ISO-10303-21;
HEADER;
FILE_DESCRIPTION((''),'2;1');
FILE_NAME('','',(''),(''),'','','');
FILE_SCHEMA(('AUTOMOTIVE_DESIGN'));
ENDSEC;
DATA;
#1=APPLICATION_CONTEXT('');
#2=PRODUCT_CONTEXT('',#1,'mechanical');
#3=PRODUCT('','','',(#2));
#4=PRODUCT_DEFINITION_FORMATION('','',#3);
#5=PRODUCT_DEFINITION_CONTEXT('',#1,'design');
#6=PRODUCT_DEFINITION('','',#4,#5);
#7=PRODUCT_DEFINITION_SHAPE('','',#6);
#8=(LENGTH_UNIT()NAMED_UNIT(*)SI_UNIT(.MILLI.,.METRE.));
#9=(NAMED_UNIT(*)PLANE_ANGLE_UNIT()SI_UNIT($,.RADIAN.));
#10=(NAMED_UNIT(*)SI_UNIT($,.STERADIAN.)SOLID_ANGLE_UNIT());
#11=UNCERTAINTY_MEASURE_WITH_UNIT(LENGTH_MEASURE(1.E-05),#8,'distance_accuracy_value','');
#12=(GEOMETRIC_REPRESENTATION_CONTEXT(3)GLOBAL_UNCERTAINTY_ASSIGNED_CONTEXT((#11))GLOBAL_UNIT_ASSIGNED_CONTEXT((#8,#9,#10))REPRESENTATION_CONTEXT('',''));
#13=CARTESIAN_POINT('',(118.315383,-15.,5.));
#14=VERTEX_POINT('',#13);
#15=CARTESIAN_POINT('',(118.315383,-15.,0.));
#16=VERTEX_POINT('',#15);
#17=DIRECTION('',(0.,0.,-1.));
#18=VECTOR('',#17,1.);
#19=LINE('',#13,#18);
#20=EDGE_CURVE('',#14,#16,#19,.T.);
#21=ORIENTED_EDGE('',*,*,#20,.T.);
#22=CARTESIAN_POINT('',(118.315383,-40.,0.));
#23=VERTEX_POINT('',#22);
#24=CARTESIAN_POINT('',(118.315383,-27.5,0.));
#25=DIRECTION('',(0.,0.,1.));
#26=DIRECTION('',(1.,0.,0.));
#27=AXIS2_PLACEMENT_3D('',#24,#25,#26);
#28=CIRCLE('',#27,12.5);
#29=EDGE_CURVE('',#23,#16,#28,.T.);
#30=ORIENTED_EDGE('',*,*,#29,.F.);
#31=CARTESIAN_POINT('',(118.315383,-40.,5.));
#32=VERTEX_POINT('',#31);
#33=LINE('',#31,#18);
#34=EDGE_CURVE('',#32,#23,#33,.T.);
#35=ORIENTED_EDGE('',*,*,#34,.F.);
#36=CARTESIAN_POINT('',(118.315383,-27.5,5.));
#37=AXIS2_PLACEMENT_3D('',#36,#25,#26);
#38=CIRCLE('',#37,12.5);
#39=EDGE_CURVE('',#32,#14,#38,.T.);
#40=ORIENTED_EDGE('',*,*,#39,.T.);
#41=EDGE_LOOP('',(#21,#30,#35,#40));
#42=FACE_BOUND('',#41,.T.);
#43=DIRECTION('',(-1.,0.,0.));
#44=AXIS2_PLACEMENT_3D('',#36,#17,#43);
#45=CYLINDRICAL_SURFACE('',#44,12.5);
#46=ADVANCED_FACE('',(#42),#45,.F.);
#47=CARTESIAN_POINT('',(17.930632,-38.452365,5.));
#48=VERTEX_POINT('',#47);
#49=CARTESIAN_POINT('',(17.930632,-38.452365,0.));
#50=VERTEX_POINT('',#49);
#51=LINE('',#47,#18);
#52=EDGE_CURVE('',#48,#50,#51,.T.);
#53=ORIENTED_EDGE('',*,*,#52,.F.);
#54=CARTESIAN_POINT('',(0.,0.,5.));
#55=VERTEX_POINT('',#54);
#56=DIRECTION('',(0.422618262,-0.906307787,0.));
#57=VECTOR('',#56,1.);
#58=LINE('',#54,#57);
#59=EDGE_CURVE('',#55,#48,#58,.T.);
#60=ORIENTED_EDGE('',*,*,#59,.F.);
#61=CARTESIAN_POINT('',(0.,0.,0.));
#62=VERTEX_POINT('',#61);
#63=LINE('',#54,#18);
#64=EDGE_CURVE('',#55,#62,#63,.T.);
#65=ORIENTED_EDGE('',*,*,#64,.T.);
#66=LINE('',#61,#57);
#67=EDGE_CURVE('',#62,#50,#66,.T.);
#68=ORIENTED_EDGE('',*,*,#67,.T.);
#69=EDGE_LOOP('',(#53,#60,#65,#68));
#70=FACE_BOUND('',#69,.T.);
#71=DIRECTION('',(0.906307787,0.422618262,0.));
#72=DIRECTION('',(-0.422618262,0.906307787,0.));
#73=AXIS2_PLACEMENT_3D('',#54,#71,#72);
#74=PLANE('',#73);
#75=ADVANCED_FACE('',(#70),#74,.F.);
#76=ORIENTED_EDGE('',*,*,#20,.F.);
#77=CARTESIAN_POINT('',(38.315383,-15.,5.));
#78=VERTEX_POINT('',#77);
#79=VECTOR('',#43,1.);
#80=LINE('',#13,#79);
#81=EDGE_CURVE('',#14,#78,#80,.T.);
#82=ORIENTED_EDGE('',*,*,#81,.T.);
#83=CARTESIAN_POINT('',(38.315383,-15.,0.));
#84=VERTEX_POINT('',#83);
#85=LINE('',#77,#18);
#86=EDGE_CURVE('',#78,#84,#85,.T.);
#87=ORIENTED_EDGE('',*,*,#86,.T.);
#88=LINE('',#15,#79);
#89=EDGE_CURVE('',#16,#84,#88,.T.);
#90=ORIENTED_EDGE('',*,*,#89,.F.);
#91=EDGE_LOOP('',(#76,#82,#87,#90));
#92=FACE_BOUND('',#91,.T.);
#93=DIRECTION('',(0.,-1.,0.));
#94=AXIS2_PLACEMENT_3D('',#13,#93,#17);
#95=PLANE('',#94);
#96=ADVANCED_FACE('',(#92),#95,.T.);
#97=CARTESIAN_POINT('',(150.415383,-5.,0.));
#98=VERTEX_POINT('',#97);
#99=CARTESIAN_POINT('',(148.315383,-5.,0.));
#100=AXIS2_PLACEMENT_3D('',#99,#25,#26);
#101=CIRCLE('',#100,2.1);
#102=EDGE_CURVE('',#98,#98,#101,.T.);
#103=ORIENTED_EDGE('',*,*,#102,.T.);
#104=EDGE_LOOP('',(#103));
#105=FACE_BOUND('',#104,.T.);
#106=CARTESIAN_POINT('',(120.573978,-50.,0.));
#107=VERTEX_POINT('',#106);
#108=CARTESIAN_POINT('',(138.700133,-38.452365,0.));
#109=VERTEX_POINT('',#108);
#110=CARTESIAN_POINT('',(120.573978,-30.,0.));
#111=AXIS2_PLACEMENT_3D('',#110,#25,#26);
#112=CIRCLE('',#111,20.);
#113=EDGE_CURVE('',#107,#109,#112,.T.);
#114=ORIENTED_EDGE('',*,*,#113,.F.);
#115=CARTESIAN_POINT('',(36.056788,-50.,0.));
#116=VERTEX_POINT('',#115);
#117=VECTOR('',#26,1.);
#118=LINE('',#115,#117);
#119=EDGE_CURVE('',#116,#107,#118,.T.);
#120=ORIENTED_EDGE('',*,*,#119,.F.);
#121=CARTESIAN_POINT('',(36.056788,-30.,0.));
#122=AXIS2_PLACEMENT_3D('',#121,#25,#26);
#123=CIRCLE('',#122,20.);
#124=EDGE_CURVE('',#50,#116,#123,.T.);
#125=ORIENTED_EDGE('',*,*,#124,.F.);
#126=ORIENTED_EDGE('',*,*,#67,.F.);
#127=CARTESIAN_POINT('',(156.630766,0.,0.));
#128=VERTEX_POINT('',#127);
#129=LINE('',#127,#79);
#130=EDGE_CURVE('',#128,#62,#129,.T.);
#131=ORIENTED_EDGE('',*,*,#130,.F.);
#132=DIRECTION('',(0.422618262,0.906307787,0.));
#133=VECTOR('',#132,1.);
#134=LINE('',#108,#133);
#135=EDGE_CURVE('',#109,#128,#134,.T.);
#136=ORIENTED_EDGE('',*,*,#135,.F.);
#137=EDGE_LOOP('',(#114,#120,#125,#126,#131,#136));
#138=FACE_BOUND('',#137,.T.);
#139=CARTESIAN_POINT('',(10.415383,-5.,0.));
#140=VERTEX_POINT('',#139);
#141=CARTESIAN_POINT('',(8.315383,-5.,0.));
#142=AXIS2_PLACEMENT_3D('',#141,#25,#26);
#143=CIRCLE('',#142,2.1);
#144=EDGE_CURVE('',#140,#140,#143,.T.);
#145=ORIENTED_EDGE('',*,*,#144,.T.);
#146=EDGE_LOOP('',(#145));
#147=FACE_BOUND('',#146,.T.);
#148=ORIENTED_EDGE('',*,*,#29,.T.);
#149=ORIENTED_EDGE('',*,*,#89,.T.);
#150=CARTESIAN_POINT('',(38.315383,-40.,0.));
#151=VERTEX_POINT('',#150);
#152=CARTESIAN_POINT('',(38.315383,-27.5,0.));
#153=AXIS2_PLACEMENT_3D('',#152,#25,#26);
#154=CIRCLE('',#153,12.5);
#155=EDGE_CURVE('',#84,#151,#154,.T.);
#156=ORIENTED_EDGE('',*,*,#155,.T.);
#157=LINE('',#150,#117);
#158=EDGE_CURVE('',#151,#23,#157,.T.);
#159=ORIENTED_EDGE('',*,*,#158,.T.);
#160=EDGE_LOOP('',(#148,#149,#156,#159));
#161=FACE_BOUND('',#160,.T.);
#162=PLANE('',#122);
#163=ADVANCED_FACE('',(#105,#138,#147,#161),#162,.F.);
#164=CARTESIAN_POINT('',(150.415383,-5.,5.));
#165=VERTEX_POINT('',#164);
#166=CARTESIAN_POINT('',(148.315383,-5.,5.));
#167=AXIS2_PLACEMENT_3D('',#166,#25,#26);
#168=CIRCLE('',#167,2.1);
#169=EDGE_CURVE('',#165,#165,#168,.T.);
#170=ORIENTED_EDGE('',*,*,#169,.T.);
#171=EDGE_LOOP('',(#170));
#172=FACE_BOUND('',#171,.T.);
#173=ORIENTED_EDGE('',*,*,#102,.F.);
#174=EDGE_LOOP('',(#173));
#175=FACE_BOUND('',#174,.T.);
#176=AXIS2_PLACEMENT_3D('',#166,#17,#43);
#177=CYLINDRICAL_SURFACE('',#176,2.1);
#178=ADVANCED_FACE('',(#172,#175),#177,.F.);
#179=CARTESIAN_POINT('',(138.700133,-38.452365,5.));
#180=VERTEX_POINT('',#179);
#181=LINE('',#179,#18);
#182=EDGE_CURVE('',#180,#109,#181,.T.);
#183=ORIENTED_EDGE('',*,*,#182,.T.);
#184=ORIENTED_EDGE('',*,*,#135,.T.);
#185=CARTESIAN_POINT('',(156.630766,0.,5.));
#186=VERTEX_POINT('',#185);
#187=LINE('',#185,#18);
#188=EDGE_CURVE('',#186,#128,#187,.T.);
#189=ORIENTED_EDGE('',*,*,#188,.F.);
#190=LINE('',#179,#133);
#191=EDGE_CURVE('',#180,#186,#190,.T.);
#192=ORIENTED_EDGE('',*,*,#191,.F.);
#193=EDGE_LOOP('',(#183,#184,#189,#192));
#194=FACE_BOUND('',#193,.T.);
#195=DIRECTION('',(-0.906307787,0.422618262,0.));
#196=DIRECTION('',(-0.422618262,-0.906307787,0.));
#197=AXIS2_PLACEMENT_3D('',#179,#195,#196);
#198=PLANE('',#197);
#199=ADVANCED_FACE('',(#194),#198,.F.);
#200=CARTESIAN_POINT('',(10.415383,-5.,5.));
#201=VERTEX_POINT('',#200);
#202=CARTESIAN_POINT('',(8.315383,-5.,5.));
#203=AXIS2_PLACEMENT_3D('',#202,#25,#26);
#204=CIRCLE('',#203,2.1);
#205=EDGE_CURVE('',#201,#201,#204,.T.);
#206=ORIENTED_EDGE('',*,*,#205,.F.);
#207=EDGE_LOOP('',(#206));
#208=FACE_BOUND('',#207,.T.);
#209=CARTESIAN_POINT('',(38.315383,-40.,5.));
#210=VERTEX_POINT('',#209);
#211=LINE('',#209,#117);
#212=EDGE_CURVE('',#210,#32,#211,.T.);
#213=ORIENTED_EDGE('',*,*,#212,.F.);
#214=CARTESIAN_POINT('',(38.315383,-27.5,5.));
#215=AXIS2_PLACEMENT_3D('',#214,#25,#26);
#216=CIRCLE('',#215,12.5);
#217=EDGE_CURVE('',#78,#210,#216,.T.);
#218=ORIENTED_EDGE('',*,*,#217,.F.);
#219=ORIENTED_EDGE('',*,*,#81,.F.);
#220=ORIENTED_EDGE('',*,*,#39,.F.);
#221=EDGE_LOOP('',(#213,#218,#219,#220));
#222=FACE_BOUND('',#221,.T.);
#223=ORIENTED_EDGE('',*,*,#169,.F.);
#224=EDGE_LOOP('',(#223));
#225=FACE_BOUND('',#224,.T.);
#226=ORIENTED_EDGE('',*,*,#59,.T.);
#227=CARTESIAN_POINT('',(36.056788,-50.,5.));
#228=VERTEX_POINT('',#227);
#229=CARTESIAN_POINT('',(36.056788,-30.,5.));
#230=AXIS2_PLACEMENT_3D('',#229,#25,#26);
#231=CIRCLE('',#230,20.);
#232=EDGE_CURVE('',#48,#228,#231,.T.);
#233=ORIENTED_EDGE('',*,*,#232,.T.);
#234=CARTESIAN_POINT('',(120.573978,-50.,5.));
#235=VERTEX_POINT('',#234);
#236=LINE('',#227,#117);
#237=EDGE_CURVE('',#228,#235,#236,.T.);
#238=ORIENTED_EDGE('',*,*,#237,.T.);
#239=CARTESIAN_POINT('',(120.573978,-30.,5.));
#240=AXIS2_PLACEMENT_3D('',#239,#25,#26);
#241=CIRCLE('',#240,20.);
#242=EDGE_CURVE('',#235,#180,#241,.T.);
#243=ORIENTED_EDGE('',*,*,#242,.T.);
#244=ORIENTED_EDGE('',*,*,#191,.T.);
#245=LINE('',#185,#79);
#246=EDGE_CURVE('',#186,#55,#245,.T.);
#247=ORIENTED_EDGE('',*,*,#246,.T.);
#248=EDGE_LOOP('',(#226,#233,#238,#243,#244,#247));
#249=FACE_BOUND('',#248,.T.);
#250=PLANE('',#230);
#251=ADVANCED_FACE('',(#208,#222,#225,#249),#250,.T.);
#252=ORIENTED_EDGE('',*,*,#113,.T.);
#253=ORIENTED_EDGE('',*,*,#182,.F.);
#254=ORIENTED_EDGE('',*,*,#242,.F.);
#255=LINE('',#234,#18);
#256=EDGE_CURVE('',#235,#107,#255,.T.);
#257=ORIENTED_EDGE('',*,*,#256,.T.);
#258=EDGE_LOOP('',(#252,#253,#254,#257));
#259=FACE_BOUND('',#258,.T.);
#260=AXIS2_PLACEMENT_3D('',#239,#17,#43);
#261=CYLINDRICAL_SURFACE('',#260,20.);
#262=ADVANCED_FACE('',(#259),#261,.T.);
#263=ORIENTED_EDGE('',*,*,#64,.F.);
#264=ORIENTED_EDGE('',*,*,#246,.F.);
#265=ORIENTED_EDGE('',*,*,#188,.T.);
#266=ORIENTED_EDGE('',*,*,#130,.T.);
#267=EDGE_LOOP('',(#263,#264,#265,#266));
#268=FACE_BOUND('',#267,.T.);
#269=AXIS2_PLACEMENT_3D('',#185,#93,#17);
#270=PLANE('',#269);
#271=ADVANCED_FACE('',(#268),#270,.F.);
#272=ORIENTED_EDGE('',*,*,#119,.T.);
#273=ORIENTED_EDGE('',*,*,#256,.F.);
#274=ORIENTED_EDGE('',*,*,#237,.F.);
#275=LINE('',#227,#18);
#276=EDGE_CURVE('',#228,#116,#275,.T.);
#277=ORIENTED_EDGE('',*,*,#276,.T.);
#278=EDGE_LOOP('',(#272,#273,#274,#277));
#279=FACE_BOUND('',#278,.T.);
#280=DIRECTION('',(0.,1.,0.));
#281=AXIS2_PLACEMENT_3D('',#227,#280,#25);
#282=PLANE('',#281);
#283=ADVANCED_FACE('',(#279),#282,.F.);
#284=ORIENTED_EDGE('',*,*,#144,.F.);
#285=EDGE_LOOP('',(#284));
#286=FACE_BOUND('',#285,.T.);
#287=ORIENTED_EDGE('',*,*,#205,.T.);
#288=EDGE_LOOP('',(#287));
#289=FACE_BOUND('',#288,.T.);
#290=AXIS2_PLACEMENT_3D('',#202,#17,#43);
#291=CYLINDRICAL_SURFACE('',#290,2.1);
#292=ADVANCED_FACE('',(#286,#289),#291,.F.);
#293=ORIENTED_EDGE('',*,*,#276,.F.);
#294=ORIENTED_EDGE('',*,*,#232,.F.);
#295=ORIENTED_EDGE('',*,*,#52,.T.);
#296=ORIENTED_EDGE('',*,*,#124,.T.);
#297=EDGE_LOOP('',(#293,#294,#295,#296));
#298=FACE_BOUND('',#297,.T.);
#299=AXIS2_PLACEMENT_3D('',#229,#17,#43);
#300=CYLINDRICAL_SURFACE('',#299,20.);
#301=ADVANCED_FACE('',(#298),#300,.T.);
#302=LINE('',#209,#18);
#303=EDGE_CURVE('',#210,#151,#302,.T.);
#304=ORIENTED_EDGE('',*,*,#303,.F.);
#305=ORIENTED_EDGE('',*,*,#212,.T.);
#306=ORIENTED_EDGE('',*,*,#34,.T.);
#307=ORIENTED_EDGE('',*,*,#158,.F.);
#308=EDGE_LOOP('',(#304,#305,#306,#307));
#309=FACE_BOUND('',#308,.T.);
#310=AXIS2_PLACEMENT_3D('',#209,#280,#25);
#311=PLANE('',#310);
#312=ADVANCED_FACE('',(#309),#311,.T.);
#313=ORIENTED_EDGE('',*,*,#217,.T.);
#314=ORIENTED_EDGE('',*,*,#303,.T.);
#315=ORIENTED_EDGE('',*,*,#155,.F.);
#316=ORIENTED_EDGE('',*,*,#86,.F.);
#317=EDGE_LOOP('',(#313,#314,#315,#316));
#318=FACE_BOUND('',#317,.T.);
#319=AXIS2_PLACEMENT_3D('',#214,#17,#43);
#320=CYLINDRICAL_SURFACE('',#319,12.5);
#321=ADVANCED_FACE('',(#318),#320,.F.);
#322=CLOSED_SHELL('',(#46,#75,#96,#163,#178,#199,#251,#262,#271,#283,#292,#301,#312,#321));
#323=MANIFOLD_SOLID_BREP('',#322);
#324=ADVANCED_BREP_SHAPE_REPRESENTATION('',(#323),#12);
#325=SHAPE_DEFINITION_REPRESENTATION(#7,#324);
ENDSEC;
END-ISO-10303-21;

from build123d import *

# Parameters (mm, degrees)
SKETCH1_R           = 2.1
BOSS_EXTRUDE1_DEPTH = 5


with BuildPart() as part:
    # Sketch1 → Boss-Extrude1 (new body)
    with BuildSketch(Plane.XY):
        with BuildLine():
            Line((156.630765815, 0), (0, 0))
            Line((0, 0), (17.930632383, -38.452365235))
            ThreePointArc((17.930632383, -38.452365235), (25.310795957, -46.867828916), (36.056788124, -50))
            Line((36.056788124, -50), (120.573977692, -50))
            ThreePointArc((120.573977692, -50), (131.319969859, -46.867828916), (138.700133432, -38.452365235))
            Line((138.700133432, -38.452365235), (156.630765815, 0))
        make_face()
        with Locations((148.315382907, -5)):
            Circle(SKETCH1_R, mode=Mode.SUBTRACT)
        with Locations((8.315382909, -5)):
            Circle(SKETCH1_R, mode=Mode.SUBTRACT)
        with BuildLine():
            Line((118.315382908, -15), (38.315382908, -15))
            ThreePointArc((38.315382908, -15), (25.815382908, -27.5), (38.315382908, -40))
            Line((38.315382908, -40), (118.315382908, -40))
            ThreePointArc((118.315382908, -40), (130.815382908, -27.5), (118.315382908, -15))
        make_face(mode=Mode.SUBTRACT)
    extrude(amount=BOSS_EXTRUDE1_DEPTH)


solid = part.part
